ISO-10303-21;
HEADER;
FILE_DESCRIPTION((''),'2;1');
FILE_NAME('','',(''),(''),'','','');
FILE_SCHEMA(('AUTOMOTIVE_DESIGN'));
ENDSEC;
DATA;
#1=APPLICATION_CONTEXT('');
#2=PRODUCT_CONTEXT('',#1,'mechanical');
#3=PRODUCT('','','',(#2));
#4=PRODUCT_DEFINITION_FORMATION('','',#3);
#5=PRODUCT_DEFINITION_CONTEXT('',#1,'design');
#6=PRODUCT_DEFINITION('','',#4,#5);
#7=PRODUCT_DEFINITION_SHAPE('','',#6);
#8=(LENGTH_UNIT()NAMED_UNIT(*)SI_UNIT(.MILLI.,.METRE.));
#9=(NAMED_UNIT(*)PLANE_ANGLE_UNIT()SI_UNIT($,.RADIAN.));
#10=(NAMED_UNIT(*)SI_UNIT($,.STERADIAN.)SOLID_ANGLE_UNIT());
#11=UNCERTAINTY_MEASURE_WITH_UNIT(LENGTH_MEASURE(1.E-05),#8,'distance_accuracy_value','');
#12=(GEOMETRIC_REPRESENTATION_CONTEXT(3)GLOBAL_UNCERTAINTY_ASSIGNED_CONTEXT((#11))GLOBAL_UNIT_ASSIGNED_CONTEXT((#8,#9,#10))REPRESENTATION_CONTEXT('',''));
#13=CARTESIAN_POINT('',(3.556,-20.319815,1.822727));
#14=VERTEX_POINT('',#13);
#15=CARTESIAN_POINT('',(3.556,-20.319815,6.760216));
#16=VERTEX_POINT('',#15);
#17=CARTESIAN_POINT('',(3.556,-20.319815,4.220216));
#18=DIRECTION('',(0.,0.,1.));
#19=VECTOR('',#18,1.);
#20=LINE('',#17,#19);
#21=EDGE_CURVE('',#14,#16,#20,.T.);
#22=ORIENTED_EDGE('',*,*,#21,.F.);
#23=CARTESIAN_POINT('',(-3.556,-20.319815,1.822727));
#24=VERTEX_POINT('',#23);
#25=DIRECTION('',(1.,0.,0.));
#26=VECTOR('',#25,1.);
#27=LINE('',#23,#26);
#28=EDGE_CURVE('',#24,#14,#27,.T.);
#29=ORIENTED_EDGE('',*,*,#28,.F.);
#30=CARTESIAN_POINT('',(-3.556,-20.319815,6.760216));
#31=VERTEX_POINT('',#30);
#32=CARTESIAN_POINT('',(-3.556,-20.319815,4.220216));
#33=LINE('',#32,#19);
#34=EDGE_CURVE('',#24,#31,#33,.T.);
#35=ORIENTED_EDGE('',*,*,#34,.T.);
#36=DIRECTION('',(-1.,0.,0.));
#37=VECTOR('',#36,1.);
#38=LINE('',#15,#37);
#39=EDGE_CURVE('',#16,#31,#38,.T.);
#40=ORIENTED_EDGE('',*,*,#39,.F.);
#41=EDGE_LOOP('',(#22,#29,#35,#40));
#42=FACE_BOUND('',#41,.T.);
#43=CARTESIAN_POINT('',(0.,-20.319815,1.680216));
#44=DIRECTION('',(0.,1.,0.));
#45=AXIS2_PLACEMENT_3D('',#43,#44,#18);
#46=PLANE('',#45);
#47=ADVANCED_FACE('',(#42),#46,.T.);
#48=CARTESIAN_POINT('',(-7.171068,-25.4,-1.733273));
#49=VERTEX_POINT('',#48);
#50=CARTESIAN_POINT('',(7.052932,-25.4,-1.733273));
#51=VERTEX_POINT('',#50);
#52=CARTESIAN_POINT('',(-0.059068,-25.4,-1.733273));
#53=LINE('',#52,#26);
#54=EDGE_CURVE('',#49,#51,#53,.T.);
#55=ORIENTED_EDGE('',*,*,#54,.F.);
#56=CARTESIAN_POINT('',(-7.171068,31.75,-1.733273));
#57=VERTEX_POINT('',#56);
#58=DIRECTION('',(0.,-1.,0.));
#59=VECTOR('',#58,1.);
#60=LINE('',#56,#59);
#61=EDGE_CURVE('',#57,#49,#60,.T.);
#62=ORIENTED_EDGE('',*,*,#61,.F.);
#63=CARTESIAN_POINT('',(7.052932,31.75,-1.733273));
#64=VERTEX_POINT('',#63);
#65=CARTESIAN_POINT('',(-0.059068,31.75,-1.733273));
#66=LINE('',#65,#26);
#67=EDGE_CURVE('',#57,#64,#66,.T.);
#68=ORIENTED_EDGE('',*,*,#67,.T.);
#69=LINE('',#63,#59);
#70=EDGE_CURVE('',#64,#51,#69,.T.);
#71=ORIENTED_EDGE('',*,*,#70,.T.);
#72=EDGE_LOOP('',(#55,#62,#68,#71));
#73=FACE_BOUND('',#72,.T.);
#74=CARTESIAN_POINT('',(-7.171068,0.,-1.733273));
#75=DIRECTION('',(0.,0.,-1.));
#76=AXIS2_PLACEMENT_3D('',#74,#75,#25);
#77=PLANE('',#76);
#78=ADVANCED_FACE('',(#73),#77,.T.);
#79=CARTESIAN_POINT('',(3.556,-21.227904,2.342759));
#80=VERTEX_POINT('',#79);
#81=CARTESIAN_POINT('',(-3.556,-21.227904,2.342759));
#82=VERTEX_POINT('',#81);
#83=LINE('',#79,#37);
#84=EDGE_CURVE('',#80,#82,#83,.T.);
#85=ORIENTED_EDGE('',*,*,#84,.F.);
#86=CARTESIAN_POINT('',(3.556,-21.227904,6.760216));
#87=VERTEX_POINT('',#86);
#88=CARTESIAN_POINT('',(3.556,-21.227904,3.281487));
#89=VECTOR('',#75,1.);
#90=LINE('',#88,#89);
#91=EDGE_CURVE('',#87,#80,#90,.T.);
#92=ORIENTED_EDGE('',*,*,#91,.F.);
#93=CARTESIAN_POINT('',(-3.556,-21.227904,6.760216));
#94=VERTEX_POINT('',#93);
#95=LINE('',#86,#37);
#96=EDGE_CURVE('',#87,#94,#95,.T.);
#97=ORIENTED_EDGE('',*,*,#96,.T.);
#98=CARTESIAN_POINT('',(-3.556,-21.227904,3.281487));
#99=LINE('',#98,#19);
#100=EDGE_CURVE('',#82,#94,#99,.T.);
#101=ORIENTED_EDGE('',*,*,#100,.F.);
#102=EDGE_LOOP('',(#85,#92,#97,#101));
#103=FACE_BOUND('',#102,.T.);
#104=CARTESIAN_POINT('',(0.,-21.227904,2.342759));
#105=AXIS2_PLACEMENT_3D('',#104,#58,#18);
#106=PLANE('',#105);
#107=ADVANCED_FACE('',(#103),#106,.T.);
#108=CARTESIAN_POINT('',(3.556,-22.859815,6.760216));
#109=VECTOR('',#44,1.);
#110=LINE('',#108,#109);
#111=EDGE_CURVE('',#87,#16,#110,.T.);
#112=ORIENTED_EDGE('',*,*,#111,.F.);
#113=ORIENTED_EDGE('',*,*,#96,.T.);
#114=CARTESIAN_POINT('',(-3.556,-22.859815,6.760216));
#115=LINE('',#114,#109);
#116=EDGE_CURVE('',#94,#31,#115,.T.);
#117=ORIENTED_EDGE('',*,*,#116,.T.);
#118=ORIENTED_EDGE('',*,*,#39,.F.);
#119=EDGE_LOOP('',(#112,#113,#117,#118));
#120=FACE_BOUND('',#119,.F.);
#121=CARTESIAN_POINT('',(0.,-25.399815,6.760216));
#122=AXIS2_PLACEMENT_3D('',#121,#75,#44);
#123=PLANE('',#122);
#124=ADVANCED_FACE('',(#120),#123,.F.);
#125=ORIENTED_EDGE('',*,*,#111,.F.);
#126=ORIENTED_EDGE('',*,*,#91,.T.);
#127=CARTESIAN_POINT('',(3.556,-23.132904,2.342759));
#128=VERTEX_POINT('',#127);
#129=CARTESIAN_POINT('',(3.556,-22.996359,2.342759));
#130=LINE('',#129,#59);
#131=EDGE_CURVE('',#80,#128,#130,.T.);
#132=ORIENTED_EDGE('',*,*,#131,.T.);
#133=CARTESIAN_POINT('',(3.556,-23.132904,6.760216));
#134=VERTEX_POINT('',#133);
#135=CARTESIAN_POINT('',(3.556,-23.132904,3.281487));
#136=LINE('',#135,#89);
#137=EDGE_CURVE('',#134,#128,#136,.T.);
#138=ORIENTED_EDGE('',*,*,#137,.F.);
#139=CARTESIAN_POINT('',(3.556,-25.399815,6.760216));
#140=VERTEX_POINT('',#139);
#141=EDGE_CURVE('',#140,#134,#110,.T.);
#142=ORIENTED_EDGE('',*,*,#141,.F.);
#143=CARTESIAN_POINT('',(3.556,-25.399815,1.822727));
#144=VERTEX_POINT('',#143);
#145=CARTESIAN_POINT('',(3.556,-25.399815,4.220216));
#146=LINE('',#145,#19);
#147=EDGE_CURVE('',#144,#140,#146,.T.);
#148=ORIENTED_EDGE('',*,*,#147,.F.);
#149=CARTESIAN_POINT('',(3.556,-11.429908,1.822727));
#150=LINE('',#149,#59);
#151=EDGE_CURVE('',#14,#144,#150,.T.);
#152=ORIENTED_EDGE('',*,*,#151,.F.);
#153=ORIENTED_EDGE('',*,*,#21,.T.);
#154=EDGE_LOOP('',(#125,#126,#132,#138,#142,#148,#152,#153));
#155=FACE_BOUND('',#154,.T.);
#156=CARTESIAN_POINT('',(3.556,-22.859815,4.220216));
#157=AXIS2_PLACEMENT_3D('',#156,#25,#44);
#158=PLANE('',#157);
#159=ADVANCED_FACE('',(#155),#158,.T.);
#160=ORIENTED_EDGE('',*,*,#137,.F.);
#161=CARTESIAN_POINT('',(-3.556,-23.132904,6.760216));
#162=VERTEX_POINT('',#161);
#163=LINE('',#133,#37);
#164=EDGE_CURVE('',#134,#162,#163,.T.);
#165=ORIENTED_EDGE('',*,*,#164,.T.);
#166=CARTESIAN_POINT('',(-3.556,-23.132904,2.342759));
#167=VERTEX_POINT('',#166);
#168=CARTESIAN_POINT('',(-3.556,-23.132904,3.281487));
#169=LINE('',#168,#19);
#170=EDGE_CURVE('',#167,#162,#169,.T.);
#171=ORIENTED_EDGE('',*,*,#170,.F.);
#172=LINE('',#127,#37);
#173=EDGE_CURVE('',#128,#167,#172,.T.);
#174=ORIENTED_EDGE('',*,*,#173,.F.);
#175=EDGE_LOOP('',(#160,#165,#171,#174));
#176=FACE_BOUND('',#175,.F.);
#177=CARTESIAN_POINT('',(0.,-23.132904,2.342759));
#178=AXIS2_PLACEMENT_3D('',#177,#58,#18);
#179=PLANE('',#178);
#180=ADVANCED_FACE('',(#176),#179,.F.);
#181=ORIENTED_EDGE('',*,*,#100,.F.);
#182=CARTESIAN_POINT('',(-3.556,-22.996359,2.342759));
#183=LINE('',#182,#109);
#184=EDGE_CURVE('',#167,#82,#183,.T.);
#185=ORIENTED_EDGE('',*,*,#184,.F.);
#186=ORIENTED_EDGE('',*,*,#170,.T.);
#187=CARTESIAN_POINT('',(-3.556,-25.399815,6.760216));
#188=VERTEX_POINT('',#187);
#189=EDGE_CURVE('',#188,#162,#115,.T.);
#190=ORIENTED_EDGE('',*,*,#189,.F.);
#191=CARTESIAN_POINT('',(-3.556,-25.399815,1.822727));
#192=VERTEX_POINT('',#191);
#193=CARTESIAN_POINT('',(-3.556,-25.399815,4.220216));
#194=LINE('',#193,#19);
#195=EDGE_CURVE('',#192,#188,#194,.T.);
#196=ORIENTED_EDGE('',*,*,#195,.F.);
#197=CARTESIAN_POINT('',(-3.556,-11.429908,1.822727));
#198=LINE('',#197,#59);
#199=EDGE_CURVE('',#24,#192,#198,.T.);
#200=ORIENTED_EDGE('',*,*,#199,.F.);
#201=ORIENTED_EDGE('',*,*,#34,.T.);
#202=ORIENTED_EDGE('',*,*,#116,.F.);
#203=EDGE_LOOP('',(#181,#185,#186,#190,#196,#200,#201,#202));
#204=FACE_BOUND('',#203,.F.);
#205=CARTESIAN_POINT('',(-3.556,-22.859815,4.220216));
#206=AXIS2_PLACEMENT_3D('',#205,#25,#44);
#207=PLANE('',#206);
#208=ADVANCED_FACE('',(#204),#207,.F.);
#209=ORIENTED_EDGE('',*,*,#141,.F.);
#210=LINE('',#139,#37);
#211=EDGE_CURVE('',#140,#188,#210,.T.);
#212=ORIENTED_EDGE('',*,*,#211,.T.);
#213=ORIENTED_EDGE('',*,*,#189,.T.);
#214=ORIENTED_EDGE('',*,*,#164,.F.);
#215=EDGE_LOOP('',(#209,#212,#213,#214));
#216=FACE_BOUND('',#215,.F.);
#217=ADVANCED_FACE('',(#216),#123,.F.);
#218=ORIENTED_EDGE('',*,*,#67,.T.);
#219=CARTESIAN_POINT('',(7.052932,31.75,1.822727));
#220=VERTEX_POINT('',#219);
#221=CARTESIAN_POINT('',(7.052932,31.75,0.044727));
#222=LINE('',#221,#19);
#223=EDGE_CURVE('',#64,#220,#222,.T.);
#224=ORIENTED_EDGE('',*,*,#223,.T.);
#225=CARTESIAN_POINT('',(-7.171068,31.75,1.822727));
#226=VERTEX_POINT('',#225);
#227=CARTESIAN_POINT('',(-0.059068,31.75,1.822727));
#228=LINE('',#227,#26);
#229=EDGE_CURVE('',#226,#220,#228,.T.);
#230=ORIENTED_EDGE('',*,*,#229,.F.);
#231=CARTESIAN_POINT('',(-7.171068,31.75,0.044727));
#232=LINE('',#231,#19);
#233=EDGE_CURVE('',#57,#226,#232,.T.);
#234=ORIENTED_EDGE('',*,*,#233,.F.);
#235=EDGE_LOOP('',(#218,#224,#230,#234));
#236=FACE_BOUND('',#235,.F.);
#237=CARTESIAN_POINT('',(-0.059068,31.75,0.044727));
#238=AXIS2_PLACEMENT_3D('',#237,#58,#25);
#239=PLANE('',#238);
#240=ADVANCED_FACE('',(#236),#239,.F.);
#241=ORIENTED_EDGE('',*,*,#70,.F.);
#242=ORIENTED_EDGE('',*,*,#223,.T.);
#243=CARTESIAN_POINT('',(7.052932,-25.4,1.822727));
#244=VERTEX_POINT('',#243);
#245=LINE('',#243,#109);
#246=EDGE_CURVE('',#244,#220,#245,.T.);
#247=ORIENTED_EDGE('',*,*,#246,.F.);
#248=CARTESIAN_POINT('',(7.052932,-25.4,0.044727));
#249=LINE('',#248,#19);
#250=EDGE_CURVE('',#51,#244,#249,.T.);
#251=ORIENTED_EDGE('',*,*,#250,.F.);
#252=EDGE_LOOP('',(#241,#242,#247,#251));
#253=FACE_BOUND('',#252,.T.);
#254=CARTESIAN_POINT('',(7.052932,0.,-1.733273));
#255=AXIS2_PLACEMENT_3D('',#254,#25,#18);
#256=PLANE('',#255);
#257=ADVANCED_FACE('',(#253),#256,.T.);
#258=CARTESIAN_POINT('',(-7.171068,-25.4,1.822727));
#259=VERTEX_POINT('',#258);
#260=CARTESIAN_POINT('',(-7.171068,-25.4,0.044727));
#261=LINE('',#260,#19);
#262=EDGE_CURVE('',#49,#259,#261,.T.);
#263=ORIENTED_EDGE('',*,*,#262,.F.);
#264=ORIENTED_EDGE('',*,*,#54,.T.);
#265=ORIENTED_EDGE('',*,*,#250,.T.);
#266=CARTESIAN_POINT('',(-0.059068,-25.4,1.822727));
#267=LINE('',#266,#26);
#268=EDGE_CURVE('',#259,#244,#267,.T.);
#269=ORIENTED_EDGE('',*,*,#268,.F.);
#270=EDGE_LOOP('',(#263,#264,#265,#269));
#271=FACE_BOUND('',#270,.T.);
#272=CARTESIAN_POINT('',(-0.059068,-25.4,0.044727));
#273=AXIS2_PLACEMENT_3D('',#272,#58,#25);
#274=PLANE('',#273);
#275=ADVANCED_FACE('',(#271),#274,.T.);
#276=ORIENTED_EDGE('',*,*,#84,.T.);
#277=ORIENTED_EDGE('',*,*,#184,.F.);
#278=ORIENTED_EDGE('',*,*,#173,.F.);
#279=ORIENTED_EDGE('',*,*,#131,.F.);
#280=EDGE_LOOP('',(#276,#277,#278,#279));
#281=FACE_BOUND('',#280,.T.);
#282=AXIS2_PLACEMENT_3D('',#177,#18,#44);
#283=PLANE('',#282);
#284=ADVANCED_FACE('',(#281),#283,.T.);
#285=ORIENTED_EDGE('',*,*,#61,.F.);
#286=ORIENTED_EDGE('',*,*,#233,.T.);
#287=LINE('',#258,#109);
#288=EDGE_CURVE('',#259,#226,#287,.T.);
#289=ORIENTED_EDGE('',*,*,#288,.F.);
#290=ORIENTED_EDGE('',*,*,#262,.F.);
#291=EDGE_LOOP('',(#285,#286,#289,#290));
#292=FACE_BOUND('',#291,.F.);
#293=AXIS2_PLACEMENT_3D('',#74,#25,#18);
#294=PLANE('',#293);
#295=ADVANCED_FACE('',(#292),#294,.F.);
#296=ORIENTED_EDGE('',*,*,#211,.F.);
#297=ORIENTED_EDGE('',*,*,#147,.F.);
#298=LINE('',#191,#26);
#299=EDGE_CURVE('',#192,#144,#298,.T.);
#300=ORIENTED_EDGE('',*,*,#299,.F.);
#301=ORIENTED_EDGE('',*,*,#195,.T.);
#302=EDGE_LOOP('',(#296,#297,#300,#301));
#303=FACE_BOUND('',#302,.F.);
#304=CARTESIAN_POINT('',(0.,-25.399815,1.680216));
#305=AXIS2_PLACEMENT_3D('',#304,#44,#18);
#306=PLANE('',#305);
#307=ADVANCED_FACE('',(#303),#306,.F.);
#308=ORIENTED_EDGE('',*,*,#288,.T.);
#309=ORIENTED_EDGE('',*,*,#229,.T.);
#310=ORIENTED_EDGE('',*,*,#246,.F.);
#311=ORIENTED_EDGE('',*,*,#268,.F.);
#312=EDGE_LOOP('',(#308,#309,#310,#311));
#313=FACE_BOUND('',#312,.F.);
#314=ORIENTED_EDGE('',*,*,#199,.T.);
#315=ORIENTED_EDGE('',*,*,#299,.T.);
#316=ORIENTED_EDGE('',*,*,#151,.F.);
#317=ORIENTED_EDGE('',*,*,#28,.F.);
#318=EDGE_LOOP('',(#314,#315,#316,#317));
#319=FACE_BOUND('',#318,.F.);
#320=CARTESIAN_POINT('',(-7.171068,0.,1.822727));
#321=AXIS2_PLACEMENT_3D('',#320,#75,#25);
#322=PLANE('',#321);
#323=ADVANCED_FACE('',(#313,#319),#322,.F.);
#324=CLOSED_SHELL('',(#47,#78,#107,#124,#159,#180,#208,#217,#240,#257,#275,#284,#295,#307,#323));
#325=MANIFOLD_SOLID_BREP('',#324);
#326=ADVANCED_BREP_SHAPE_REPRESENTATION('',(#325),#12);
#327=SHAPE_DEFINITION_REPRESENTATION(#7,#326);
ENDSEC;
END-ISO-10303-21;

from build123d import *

# Parameters (mm, degrees)
F0_W          = 14.224
F0_H          = 3.556
F1_DEPTH      = 25.4
F1_DEPTH_BACK = 31.75
F2_W          = 5.08
F2_H          = 5.08
F3_DEPTH      = 3.556
F3_DEPTH_BACK = 3.556
F4_W          = 1.905
F4_H          = 4.572
F5_DEPTH      = 3.81
F5_DEPTH_BACK = 3.81


with BuildPart() as f1:
    # F0 (on Front) → F1 (new body, two sides)
    with BuildSketch(Plane.XZ) as f1_sk:
        with Locations((-0.0590678749, 0.0447268487)):
            Rectangle(F0_W, F0_H)
    extrude(amount=F1_DEPTH)
    extrude(f1_sk.sketch, amount=-F1_DEPTH_BACK)

    # F2 (on Right) → F3 (join, two sides)
    with BuildSketch(Plane.YZ) as f3_sk:
        with Locations((-22.8598152912, 4.2202161699)):
            Rectangle(F2_W, F2_H)
    extrude(amount=F3_DEPTH)
    extrude(f3_sk.sketch, amount=-F3_DEPTH_BACK)

    # F4 (on Right) → F5 (cut, two sides)
    with BuildSketch(Plane.YZ) as f5_sk:
        with Locations((-22.1804035014, 4.6287587003)):
            Rectangle(F4_W, F4_H)
    extrude(amount=-F5_DEPTH, mode=Mode.SUBTRACT)
    extrude(f5_sk.sketch, amount=F5_DEPTH_BACK, mode=Mode.SUBTRACT)


solid = f1.part
